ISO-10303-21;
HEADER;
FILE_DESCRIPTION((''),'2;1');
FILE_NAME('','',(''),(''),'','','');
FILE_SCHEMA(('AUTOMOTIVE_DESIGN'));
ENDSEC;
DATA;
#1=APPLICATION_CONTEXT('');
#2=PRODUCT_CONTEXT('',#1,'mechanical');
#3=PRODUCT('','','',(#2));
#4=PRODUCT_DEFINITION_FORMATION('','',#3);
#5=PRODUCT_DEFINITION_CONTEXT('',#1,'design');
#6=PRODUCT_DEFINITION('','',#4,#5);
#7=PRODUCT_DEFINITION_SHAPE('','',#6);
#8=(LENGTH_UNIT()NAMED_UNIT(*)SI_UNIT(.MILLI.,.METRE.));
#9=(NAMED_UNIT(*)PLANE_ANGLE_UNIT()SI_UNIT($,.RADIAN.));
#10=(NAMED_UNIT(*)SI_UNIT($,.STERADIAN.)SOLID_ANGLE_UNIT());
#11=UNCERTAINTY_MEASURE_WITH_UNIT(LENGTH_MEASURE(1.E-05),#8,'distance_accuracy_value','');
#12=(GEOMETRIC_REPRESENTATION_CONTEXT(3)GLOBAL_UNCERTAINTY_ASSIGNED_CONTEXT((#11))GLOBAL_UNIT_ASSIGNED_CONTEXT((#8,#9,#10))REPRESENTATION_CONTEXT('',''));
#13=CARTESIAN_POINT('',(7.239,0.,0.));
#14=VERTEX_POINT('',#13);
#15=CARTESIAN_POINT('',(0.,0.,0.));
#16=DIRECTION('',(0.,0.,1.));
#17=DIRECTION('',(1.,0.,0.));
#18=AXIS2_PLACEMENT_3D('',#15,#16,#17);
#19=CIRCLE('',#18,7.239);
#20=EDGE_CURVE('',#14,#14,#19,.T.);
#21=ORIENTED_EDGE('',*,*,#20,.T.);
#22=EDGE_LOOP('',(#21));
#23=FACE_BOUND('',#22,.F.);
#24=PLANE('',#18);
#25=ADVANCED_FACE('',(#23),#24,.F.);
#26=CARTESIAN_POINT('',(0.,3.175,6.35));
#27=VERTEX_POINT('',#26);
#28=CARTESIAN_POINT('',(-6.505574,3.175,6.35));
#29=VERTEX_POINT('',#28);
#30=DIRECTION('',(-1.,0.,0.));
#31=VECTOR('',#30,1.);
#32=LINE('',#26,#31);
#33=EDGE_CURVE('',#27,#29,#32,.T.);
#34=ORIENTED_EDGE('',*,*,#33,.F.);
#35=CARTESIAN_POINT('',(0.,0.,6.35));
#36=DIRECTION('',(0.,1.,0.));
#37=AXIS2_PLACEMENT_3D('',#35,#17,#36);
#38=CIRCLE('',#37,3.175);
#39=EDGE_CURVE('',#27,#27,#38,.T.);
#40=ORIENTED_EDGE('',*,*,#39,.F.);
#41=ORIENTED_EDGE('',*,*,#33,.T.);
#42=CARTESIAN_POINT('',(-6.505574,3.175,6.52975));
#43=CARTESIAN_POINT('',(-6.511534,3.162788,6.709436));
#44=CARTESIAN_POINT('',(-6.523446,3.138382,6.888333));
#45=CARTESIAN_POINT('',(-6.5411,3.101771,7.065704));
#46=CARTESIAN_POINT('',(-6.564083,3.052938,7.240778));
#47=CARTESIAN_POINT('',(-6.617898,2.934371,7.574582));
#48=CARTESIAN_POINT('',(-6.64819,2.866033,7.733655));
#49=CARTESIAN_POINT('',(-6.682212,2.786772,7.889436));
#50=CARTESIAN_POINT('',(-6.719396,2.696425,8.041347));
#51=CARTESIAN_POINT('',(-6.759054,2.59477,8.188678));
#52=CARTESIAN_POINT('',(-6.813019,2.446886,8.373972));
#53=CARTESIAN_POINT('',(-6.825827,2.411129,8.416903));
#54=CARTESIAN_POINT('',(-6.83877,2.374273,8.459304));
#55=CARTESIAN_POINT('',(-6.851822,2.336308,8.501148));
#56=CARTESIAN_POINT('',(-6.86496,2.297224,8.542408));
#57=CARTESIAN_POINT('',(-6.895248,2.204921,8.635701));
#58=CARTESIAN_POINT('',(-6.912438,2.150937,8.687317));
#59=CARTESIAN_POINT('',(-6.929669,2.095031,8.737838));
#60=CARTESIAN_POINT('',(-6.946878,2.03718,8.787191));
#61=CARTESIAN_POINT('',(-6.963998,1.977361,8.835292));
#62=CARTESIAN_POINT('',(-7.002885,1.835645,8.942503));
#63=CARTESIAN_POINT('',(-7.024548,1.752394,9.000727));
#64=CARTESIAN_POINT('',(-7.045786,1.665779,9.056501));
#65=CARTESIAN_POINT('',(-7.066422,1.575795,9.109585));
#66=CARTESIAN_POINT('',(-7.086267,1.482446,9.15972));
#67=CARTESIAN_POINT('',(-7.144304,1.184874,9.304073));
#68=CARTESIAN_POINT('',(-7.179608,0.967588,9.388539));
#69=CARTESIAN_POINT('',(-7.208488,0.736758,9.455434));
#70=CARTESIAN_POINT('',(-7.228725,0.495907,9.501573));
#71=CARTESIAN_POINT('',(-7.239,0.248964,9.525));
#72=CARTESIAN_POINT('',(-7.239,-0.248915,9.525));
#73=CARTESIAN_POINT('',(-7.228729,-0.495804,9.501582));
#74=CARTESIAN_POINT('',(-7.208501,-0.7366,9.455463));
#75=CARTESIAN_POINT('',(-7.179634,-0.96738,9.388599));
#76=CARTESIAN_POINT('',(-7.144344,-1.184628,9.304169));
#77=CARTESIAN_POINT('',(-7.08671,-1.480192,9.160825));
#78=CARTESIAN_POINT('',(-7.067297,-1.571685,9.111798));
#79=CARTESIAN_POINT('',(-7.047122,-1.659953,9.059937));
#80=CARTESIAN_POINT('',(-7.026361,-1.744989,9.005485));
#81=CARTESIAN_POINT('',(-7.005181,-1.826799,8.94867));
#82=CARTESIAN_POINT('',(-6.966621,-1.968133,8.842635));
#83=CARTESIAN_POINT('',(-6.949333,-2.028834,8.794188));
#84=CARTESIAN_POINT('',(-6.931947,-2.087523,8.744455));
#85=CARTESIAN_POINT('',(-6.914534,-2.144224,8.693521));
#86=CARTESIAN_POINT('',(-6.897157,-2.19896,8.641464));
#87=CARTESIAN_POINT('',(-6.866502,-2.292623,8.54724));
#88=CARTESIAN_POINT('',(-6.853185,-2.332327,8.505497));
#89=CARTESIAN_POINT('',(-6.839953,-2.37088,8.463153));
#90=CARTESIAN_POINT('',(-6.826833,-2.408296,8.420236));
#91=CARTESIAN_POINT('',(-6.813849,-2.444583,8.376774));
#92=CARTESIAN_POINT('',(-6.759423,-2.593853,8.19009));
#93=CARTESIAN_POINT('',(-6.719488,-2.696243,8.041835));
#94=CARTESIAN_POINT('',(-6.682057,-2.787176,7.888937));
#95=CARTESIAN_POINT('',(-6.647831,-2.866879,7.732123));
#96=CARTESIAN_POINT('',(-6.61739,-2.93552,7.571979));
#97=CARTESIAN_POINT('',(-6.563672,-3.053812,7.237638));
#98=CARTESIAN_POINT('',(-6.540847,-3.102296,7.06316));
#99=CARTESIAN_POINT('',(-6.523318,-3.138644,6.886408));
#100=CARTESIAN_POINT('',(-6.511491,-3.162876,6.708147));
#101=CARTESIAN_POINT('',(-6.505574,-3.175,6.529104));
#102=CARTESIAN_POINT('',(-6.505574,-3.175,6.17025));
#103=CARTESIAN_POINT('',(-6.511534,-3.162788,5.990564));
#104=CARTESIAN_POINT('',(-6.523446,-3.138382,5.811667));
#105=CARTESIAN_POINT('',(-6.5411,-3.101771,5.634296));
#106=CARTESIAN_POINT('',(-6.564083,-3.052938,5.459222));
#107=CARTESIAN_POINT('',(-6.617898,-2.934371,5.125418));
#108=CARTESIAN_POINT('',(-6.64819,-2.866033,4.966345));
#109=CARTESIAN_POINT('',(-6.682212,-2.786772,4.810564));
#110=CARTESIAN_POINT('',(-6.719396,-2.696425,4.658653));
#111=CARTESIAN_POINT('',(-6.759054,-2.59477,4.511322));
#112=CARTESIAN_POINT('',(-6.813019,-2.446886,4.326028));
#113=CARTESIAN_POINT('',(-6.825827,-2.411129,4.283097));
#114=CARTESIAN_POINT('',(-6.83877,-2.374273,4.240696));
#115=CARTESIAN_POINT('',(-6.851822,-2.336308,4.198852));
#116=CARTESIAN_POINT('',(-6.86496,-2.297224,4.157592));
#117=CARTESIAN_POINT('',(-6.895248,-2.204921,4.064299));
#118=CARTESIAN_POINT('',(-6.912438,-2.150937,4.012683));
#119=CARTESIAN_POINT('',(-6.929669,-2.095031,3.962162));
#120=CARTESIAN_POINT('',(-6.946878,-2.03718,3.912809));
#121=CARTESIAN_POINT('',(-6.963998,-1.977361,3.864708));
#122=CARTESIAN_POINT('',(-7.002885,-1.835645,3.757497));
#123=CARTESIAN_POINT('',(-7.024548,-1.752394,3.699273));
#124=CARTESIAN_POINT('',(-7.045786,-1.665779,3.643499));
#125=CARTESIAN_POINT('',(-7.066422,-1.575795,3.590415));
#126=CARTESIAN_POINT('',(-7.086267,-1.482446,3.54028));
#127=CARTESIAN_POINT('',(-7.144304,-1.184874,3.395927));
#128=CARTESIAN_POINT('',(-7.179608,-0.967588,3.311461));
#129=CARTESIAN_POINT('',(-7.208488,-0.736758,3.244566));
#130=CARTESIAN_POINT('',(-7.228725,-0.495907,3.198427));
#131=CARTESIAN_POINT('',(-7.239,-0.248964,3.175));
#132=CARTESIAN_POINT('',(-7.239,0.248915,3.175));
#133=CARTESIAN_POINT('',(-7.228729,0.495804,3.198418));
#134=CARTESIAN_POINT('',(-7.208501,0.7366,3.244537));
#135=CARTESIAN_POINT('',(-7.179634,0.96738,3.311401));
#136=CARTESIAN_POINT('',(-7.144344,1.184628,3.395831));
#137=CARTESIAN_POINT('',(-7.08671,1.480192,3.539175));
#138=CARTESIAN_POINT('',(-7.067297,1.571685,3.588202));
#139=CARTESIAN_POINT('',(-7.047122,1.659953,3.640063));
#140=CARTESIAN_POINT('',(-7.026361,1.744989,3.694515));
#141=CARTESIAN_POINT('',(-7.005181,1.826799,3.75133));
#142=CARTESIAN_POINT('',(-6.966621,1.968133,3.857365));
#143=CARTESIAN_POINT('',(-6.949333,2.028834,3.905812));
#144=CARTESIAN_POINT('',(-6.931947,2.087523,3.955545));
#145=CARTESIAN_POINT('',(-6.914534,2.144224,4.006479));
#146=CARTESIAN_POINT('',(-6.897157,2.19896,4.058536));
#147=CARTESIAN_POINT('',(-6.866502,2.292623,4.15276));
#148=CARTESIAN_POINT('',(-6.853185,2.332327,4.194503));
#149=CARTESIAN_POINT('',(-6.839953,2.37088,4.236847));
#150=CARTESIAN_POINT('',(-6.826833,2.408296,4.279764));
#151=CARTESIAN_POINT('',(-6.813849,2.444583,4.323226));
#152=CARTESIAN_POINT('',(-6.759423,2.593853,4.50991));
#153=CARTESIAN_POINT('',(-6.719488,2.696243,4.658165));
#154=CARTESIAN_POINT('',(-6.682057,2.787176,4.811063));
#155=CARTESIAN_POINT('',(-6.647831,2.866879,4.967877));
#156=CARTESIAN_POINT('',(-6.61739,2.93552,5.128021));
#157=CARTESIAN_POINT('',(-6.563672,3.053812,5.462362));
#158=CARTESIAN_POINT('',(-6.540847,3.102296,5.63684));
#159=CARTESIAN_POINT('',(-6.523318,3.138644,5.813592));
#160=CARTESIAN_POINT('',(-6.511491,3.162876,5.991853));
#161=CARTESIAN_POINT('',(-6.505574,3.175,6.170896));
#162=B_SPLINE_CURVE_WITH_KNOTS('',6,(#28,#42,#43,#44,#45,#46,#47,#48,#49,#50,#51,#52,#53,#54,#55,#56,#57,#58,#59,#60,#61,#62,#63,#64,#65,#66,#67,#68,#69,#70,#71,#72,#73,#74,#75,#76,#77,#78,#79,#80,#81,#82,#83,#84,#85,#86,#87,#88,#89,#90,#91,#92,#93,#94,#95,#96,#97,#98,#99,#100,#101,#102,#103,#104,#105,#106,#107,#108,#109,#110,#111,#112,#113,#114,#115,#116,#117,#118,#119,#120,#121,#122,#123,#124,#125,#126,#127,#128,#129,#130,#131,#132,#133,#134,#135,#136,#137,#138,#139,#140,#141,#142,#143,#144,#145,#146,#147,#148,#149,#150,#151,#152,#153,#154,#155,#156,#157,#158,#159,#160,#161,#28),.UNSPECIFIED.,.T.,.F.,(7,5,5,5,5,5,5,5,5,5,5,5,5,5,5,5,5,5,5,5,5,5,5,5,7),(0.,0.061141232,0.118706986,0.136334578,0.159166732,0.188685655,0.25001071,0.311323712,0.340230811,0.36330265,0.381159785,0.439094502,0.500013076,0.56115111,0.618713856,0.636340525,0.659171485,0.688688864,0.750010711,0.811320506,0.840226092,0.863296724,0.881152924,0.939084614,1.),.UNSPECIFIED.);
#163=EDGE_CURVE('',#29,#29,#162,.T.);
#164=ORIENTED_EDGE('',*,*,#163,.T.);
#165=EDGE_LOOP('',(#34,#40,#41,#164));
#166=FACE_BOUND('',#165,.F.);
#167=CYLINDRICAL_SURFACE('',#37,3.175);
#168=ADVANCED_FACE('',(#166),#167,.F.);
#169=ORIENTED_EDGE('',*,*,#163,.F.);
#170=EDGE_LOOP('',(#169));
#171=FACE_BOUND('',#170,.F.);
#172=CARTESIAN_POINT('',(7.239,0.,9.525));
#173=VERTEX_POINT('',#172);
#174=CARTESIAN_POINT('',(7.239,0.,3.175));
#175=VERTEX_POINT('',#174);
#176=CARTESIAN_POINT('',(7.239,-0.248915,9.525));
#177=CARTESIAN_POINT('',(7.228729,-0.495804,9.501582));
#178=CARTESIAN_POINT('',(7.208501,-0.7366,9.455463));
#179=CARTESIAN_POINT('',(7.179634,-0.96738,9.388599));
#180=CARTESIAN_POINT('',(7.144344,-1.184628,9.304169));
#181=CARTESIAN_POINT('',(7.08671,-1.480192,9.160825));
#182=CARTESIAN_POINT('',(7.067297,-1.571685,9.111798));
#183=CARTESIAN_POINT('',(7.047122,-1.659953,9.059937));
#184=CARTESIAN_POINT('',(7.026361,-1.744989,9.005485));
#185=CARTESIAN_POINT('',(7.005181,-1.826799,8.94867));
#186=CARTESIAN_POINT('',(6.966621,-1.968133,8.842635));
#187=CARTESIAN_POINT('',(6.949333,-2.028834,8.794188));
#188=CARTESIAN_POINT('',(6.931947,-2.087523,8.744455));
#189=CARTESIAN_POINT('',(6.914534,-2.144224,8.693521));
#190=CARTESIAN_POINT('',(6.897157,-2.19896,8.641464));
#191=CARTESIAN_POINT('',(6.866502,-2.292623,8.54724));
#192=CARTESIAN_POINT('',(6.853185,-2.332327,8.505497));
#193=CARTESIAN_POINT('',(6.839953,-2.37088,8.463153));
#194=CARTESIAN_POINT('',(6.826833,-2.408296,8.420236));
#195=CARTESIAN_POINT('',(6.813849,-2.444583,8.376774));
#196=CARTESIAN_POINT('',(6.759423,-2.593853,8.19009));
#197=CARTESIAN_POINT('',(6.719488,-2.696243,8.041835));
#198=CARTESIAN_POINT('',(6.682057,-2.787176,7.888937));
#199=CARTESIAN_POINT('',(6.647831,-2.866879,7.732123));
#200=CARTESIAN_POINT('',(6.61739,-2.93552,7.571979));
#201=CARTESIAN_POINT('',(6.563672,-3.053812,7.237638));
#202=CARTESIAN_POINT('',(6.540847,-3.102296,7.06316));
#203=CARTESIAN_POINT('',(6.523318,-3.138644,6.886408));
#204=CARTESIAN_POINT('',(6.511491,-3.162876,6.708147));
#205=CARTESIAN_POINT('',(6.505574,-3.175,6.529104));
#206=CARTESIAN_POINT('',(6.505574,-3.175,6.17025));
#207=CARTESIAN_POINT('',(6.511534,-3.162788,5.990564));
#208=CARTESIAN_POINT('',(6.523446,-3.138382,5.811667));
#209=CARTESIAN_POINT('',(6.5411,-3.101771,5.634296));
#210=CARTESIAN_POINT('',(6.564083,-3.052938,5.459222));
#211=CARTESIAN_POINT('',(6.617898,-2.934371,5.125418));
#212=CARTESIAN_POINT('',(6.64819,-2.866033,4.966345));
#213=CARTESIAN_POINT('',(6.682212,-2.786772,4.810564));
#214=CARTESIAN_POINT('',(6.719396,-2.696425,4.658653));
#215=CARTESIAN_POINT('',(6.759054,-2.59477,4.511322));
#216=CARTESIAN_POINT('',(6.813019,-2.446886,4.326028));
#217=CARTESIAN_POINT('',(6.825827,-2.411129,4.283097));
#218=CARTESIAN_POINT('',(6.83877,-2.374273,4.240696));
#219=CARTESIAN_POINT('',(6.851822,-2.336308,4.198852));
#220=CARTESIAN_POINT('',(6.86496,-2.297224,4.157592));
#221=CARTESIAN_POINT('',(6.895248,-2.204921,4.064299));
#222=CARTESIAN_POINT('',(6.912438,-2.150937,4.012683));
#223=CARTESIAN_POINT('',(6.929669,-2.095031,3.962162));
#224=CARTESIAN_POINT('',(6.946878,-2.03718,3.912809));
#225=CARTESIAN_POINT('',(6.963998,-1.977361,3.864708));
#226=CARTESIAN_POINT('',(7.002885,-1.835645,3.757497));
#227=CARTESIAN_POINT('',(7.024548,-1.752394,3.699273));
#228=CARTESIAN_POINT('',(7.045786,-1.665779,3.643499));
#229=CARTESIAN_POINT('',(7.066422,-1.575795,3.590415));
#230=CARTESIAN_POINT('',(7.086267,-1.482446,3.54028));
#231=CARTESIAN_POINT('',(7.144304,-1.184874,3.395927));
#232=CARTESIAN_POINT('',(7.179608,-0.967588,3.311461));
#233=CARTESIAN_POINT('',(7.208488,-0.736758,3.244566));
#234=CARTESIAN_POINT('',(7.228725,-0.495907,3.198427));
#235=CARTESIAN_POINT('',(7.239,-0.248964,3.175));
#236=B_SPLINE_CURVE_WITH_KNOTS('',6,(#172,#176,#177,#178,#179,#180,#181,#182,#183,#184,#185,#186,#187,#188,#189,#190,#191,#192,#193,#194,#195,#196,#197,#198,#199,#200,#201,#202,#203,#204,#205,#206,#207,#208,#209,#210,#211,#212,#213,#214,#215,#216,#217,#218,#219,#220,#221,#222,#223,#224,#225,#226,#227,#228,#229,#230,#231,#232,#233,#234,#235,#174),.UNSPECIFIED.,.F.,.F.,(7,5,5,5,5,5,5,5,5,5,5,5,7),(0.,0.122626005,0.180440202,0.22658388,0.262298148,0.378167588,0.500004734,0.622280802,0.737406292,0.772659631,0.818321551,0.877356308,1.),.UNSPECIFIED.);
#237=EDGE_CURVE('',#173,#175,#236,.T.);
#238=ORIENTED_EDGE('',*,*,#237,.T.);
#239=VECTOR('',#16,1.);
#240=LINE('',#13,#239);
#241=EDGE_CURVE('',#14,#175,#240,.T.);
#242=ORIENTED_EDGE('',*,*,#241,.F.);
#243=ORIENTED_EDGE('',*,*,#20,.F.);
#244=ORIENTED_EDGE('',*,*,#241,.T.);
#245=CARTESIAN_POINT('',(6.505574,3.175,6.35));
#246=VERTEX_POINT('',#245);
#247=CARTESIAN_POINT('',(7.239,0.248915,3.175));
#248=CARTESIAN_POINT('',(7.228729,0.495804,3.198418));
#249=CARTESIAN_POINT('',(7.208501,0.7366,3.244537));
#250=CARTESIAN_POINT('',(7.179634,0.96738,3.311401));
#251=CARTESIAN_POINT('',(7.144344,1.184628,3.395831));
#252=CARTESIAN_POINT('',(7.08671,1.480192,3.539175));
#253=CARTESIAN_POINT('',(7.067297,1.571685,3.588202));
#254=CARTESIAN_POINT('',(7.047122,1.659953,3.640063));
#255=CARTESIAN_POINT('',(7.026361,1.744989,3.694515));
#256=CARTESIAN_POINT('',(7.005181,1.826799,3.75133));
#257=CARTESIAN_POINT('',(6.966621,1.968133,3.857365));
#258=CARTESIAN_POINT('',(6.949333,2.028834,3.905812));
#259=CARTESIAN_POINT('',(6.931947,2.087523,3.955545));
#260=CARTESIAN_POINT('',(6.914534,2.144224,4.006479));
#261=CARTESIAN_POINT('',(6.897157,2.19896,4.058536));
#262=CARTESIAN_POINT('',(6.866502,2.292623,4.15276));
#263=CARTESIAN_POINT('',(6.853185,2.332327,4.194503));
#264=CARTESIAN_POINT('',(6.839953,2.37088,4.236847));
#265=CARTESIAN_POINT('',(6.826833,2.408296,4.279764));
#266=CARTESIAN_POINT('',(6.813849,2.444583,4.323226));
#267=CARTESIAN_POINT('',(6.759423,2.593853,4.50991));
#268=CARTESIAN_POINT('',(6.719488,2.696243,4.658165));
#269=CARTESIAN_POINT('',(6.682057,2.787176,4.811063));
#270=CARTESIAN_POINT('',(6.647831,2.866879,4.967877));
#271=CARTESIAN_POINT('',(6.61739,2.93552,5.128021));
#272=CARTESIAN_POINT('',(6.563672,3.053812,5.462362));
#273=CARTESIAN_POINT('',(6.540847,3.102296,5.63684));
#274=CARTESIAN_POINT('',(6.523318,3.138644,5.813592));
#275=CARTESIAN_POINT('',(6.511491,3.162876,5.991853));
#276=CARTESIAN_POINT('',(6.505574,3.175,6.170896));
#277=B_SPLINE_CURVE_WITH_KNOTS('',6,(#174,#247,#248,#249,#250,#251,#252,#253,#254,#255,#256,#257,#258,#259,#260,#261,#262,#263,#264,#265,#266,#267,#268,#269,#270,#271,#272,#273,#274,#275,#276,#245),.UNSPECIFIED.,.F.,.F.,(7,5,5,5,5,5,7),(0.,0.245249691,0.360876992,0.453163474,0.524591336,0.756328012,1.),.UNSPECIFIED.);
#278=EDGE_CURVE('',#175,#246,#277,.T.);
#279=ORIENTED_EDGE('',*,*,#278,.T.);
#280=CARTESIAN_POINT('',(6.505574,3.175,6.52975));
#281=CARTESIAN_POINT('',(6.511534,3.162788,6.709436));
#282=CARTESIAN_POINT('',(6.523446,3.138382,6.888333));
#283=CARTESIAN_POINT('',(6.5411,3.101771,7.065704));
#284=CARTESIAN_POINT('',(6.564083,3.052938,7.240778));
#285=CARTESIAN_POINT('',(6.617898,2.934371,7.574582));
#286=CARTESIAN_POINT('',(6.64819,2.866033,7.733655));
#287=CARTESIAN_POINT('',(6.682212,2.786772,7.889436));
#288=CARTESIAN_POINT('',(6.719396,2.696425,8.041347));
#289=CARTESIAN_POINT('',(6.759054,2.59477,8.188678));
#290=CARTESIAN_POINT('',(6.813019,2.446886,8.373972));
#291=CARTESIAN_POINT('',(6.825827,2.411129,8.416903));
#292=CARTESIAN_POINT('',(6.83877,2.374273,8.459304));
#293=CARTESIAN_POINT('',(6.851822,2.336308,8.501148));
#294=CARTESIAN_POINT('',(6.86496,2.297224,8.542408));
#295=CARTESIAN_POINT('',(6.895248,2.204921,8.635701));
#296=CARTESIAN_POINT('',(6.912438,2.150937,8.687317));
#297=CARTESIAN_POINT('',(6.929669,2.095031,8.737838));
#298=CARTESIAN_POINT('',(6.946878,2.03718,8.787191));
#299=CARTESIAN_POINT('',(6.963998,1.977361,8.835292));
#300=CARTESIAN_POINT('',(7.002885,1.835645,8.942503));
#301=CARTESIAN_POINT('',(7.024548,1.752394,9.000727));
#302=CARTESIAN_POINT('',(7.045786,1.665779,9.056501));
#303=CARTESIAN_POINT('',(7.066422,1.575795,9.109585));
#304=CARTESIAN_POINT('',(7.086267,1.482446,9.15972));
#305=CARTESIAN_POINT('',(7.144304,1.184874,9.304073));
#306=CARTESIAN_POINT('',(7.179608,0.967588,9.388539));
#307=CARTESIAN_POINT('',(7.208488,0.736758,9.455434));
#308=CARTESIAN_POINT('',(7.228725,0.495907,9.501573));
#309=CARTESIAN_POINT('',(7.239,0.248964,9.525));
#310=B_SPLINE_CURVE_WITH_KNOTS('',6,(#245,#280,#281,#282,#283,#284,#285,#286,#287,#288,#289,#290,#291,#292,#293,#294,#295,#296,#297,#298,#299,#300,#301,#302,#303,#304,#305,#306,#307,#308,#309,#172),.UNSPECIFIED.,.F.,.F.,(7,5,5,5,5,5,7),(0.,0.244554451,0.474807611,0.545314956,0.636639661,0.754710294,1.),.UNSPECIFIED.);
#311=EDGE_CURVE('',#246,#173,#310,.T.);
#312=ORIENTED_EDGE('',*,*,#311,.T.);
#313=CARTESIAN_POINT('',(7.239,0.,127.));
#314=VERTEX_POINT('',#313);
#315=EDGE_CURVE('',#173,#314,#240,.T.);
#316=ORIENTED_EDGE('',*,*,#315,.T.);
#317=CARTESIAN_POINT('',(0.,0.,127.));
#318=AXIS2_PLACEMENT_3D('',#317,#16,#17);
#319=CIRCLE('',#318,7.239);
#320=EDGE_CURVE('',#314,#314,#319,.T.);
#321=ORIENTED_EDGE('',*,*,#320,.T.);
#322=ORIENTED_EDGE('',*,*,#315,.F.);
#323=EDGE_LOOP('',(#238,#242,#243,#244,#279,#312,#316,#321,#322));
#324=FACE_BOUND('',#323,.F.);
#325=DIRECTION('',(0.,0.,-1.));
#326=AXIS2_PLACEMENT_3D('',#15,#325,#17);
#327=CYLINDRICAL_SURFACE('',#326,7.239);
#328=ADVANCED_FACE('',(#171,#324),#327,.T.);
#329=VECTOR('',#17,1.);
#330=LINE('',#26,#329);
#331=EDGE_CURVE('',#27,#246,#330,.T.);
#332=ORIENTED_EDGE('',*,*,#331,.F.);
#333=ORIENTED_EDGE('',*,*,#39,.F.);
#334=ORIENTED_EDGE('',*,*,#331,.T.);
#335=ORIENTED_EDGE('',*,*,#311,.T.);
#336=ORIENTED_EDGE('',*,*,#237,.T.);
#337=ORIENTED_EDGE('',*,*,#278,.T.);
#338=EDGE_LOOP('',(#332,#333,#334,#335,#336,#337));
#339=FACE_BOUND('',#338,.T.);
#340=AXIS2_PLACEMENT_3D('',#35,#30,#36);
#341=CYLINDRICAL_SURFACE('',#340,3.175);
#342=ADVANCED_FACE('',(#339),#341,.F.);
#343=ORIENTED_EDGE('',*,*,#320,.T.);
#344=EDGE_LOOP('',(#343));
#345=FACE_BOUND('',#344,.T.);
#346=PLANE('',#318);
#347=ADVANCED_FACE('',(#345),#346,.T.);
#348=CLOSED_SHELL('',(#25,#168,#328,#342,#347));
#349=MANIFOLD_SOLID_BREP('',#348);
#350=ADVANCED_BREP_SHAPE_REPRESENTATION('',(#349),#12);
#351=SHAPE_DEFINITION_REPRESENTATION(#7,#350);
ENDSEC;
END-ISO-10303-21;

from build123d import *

# Parameters (mm, degrees)
F0_R          = 7.239
F1_DEPTH      = 127
F2_R          = 3.175
F3_DEPTH      = 25.4
F3_DEPTH_BACK = 25.4


with BuildPart() as f1:
    # F0 (on Top) → F1 (new body)
    with BuildSketch(Plane.XY):
        Circle(F0_R)
    extrude(amount=F1_DEPTH)

    # F2 (on Right) → F3 (cut, two sides)
    with BuildSketch(Plane.YZ) as f3_sk:
        with Locations((0, 6.35)):
            Circle(F2_R)
    extrude(amount=-F3_DEPTH, mode=Mode.SUBTRACT)
    extrude(f3_sk.sketch, amount=F3_DEPTH_BACK, mode=Mode.SUBTRACT)


solid = f1.part
